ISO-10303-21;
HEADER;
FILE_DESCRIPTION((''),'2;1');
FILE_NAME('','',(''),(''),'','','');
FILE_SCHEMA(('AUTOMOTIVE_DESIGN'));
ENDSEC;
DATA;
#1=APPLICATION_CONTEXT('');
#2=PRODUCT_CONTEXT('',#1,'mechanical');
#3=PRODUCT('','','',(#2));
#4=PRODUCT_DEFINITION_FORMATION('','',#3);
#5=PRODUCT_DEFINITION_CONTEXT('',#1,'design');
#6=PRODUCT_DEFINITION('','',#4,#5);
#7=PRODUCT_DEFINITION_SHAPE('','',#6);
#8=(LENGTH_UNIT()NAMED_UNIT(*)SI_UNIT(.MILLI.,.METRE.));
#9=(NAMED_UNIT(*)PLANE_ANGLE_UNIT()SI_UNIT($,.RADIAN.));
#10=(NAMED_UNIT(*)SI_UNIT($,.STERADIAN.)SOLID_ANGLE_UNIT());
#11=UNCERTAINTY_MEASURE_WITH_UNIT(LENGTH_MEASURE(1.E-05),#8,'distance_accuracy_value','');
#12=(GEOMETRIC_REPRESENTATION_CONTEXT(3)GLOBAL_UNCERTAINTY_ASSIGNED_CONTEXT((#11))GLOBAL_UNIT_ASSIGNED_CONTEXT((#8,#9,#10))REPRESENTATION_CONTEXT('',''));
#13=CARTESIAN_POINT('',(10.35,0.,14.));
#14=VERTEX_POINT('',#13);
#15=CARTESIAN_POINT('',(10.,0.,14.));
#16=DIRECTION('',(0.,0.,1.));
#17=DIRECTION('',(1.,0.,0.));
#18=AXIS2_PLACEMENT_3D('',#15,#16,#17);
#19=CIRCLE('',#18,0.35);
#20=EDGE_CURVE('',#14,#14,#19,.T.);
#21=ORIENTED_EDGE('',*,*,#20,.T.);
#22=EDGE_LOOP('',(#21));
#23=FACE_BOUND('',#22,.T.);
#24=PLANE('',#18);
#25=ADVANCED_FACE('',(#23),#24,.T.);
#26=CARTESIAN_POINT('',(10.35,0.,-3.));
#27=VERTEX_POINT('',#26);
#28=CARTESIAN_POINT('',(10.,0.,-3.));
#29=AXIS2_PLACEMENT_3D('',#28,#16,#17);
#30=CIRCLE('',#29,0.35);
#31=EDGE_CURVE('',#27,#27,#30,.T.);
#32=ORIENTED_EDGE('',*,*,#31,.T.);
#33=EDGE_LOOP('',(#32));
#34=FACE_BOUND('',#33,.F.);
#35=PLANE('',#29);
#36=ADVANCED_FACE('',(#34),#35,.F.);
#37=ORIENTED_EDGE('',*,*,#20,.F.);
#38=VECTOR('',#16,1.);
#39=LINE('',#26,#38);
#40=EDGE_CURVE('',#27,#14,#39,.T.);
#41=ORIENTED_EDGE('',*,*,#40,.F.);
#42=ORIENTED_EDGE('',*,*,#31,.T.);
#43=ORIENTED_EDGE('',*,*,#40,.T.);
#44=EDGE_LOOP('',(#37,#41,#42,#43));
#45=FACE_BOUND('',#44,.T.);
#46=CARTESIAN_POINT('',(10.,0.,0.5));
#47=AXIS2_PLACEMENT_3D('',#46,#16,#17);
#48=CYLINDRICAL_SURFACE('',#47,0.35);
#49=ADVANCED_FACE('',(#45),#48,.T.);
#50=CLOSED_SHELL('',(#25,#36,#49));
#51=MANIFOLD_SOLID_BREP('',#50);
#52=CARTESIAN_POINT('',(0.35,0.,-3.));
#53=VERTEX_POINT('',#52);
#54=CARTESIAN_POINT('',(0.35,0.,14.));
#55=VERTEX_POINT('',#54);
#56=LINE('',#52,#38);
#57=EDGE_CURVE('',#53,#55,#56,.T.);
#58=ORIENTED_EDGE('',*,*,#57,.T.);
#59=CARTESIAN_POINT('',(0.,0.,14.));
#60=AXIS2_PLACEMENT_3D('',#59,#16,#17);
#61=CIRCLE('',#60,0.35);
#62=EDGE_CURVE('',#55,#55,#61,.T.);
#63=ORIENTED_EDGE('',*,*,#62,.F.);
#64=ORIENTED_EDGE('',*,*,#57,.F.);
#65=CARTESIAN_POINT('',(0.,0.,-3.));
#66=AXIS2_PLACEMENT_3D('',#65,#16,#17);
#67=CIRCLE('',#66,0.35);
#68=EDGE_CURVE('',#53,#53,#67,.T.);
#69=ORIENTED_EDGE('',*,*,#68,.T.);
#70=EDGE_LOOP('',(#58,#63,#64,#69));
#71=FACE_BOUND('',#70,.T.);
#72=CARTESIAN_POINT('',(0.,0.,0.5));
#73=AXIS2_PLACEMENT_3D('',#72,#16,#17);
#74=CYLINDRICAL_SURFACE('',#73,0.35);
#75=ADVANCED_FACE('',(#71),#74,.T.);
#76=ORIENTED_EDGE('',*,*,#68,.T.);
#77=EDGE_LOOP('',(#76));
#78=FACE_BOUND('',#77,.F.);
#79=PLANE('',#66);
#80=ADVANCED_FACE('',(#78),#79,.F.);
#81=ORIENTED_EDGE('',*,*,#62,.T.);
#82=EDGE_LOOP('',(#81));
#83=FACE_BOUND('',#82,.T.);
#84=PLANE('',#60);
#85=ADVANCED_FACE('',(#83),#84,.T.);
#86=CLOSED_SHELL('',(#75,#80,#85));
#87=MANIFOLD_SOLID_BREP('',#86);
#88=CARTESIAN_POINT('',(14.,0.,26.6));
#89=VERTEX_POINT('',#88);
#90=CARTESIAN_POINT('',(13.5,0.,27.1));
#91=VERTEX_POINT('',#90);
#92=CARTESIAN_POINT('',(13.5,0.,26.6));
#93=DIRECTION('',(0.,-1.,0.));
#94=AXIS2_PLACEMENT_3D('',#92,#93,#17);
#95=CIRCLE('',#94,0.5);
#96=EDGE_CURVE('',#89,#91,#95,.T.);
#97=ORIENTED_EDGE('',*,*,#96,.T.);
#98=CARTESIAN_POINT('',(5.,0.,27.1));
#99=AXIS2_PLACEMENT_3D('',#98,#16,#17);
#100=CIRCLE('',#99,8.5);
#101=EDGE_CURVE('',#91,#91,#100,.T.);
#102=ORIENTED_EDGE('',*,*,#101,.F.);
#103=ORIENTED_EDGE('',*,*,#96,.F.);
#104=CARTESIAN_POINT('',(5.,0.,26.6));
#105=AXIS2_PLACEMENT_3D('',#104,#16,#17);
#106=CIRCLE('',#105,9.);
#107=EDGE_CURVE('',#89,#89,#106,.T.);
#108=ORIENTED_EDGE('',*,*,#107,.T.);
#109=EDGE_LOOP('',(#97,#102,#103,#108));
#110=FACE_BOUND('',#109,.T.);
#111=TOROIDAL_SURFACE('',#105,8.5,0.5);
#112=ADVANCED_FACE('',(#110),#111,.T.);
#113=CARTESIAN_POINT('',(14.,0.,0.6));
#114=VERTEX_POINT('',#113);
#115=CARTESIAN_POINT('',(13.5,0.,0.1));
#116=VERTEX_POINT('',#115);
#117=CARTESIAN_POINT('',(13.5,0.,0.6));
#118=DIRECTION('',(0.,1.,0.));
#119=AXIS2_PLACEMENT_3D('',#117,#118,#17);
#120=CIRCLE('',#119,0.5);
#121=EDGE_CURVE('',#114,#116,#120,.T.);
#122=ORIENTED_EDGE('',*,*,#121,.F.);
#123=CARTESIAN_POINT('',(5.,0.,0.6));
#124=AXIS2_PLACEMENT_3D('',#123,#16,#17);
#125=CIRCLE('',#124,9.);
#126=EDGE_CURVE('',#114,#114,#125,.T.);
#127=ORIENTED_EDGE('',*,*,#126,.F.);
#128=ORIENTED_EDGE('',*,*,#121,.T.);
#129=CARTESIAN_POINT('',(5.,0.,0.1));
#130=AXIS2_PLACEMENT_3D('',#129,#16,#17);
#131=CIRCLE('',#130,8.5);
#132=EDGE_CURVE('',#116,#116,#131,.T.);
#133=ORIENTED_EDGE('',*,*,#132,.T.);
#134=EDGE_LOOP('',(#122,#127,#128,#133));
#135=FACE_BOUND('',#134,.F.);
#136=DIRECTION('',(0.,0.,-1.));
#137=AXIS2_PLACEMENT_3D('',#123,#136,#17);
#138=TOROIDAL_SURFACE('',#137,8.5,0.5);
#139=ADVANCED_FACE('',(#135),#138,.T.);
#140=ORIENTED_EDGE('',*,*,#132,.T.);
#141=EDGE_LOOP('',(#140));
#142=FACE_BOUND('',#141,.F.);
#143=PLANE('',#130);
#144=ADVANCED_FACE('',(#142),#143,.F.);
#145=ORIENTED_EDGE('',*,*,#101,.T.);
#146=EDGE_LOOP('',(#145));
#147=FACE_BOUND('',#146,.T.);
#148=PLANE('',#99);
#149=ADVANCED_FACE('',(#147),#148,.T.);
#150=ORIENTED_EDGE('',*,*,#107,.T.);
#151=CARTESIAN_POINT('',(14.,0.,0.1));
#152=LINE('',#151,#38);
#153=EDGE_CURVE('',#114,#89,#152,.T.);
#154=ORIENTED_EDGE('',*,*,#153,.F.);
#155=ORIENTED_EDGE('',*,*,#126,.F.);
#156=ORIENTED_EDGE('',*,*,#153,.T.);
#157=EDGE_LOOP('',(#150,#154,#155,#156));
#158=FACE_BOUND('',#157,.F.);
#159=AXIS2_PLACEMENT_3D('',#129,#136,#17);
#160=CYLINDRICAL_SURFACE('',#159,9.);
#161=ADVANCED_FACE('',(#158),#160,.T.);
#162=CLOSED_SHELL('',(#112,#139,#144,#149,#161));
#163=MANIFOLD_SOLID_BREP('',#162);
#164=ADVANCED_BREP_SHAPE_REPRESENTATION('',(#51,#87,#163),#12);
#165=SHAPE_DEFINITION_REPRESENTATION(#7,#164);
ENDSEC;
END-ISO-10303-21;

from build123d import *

# Parameters (mm, degrees)
SKETCH001_R       = 0.35
PAD001_DEPTH      = 13.5
PAD001_DEPTH_BACK = 3.5
SKETCH_R          = 9
PAD_DEPTH         = 27
FILLET_R          = 0.5


with BuildPart() as pad001:
    # Sketch001 → Pad001 (new body, two sides)
    with BuildSketch(Plane.XY.offset(0.5)) as pad001_sk:
        Circle(SKETCH001_R)
        with Locations((10, 0)):
            Circle(SKETCH001_R)
    extrude(amount=PAD001_DEPTH)
    extrude(pad001_sk.sketch, amount=-PAD001_DEPTH_BACK)


with BuildPart() as fillet_body:
    # Sketch → Pad (new body)
    with BuildSketch(Plane.XY.offset(0.1)):
        with Locations((5, 0)):
            Circle(SKETCH_R)
    extrude(amount=PAD_DEPTH)

    # Fillet
    fillet_edges = [fillet_body.edges().sort_by_distance(p)[0] for p in [
        (-4, 0, 0.1),
        (-4, 0, 27.1),
    ]]
    fillet(fillet_edges, radius=FILLET_R)


solid = Compound([pad001.part, fillet_body.part])
